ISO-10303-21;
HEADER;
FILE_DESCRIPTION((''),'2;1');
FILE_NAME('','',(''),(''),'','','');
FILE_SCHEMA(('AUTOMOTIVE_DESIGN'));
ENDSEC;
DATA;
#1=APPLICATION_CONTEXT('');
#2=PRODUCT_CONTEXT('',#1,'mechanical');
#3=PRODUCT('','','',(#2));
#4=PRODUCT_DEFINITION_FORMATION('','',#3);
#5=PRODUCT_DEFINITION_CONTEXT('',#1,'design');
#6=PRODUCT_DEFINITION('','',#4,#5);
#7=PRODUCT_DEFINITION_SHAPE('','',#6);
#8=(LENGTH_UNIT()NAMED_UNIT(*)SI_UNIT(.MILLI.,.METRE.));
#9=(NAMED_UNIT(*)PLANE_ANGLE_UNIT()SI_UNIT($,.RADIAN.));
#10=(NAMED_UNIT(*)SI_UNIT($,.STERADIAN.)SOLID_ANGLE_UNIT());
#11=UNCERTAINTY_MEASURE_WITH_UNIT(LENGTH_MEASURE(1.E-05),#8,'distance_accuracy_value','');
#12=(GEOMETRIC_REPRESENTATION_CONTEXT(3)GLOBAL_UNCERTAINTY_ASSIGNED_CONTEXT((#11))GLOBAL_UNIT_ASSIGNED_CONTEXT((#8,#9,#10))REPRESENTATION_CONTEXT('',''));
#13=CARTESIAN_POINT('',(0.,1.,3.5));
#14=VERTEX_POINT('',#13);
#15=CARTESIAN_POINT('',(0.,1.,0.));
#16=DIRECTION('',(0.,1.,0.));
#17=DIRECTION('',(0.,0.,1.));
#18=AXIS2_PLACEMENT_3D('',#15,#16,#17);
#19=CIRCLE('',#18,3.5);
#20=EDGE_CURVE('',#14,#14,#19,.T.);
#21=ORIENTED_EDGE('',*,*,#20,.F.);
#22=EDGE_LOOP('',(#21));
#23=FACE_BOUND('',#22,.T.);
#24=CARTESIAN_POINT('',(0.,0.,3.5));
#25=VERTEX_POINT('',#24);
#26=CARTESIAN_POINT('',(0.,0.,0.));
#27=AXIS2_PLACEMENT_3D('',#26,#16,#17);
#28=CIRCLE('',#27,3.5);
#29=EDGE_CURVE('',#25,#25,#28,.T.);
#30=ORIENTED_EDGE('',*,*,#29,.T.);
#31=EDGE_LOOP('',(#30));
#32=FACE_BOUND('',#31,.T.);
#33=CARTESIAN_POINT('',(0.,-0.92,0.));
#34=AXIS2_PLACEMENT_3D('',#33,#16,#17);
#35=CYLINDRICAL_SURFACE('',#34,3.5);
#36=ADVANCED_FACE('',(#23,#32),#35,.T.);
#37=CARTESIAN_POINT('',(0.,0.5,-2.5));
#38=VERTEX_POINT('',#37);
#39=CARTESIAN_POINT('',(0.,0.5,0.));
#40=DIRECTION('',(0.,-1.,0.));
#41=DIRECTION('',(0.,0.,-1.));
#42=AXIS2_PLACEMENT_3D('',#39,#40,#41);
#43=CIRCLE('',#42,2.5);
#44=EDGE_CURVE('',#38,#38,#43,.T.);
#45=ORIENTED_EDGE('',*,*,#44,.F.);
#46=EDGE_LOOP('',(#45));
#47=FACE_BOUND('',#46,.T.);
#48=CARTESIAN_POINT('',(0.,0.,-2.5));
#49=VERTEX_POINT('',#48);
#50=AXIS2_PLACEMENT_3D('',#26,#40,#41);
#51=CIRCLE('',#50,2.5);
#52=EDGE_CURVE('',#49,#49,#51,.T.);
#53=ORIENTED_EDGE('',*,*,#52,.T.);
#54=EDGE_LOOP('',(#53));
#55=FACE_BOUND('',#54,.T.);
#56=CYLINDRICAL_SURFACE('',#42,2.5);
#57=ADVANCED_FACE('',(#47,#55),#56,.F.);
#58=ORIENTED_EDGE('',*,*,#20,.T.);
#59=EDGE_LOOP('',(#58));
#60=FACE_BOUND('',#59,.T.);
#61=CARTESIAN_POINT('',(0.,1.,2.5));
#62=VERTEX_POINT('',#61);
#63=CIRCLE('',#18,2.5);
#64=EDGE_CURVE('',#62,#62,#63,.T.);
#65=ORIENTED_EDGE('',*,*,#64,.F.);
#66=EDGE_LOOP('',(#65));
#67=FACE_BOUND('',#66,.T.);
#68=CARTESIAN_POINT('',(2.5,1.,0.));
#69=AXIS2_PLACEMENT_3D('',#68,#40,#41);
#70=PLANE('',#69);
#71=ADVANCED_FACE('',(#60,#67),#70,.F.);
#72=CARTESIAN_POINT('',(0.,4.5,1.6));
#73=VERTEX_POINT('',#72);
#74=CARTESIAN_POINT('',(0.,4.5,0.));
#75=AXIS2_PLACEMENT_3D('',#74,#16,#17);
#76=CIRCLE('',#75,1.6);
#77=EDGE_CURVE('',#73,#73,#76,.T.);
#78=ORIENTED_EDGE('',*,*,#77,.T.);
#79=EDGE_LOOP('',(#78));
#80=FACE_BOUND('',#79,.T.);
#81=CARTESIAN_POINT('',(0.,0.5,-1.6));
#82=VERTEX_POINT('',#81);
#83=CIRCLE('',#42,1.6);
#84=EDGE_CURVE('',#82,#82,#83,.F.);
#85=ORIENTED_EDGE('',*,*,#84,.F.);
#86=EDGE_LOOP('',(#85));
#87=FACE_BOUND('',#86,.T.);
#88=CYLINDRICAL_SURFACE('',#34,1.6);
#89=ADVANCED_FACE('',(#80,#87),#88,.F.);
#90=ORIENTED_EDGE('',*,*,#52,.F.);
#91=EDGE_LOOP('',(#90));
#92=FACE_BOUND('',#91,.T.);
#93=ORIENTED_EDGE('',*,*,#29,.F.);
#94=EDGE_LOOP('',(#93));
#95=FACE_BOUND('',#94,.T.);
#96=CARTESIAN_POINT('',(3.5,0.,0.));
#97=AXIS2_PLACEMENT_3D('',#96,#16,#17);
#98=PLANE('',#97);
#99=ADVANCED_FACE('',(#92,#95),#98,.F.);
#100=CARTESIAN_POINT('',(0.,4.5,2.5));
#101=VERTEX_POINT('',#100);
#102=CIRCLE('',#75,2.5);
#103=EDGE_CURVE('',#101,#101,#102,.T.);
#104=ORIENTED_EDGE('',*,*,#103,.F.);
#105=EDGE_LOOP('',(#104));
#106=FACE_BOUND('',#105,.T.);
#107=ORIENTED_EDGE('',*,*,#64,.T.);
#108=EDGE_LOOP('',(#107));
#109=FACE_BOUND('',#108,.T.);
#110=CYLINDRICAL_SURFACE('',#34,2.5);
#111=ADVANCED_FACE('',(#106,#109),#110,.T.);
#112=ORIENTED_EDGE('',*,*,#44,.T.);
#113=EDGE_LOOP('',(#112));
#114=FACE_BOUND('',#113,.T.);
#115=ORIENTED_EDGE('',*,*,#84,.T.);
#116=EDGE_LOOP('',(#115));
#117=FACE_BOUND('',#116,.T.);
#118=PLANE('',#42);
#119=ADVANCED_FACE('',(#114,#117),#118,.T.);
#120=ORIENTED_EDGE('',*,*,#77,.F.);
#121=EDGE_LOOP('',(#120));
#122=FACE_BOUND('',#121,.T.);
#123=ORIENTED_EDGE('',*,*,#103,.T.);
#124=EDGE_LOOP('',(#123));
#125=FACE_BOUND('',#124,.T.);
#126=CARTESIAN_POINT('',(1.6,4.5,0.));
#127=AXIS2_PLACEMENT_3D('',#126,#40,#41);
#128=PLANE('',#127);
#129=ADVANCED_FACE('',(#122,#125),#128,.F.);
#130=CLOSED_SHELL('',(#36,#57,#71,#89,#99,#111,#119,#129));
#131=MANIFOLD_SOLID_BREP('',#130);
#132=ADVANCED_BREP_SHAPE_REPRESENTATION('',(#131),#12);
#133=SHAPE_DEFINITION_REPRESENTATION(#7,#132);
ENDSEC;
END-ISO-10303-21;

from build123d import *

# Parameters (mm, degrees)
SKETCH3_R          = 2.5
CUT_EXTRUDE1_DEPTH = 0.5


with BuildPart() as part:
    # Sketch2 → Revolve1 (revolve)
    with BuildSketch(Plane.XY, mode=Mode.PRIVATE) as revolve1_sk:
        Polygon((1.6, 0), (1.6, 4.5), (2.5, 4.5), (2.5, 1), (3.5, 1), (3.5, 0), align=None)
    revolve(revolve1_sk.sketch.rotate(Axis((0, -0.92, 0), (0, -1, 0)), 90), axis=Axis((0, -0.92, 0), (0, -1, 0)))

    # Sketch3 → Cut-Extrude1 (cut)
    with BuildSketch(Plane.XZ):
        with Locations(Location((0, 0, 0), (0, 0, 90))):
            Circle(SKETCH3_R)
    extrude(amount=-CUT_EXTRUDE1_DEPTH, mode=Mode.SUBTRACT)


solid = part.part
